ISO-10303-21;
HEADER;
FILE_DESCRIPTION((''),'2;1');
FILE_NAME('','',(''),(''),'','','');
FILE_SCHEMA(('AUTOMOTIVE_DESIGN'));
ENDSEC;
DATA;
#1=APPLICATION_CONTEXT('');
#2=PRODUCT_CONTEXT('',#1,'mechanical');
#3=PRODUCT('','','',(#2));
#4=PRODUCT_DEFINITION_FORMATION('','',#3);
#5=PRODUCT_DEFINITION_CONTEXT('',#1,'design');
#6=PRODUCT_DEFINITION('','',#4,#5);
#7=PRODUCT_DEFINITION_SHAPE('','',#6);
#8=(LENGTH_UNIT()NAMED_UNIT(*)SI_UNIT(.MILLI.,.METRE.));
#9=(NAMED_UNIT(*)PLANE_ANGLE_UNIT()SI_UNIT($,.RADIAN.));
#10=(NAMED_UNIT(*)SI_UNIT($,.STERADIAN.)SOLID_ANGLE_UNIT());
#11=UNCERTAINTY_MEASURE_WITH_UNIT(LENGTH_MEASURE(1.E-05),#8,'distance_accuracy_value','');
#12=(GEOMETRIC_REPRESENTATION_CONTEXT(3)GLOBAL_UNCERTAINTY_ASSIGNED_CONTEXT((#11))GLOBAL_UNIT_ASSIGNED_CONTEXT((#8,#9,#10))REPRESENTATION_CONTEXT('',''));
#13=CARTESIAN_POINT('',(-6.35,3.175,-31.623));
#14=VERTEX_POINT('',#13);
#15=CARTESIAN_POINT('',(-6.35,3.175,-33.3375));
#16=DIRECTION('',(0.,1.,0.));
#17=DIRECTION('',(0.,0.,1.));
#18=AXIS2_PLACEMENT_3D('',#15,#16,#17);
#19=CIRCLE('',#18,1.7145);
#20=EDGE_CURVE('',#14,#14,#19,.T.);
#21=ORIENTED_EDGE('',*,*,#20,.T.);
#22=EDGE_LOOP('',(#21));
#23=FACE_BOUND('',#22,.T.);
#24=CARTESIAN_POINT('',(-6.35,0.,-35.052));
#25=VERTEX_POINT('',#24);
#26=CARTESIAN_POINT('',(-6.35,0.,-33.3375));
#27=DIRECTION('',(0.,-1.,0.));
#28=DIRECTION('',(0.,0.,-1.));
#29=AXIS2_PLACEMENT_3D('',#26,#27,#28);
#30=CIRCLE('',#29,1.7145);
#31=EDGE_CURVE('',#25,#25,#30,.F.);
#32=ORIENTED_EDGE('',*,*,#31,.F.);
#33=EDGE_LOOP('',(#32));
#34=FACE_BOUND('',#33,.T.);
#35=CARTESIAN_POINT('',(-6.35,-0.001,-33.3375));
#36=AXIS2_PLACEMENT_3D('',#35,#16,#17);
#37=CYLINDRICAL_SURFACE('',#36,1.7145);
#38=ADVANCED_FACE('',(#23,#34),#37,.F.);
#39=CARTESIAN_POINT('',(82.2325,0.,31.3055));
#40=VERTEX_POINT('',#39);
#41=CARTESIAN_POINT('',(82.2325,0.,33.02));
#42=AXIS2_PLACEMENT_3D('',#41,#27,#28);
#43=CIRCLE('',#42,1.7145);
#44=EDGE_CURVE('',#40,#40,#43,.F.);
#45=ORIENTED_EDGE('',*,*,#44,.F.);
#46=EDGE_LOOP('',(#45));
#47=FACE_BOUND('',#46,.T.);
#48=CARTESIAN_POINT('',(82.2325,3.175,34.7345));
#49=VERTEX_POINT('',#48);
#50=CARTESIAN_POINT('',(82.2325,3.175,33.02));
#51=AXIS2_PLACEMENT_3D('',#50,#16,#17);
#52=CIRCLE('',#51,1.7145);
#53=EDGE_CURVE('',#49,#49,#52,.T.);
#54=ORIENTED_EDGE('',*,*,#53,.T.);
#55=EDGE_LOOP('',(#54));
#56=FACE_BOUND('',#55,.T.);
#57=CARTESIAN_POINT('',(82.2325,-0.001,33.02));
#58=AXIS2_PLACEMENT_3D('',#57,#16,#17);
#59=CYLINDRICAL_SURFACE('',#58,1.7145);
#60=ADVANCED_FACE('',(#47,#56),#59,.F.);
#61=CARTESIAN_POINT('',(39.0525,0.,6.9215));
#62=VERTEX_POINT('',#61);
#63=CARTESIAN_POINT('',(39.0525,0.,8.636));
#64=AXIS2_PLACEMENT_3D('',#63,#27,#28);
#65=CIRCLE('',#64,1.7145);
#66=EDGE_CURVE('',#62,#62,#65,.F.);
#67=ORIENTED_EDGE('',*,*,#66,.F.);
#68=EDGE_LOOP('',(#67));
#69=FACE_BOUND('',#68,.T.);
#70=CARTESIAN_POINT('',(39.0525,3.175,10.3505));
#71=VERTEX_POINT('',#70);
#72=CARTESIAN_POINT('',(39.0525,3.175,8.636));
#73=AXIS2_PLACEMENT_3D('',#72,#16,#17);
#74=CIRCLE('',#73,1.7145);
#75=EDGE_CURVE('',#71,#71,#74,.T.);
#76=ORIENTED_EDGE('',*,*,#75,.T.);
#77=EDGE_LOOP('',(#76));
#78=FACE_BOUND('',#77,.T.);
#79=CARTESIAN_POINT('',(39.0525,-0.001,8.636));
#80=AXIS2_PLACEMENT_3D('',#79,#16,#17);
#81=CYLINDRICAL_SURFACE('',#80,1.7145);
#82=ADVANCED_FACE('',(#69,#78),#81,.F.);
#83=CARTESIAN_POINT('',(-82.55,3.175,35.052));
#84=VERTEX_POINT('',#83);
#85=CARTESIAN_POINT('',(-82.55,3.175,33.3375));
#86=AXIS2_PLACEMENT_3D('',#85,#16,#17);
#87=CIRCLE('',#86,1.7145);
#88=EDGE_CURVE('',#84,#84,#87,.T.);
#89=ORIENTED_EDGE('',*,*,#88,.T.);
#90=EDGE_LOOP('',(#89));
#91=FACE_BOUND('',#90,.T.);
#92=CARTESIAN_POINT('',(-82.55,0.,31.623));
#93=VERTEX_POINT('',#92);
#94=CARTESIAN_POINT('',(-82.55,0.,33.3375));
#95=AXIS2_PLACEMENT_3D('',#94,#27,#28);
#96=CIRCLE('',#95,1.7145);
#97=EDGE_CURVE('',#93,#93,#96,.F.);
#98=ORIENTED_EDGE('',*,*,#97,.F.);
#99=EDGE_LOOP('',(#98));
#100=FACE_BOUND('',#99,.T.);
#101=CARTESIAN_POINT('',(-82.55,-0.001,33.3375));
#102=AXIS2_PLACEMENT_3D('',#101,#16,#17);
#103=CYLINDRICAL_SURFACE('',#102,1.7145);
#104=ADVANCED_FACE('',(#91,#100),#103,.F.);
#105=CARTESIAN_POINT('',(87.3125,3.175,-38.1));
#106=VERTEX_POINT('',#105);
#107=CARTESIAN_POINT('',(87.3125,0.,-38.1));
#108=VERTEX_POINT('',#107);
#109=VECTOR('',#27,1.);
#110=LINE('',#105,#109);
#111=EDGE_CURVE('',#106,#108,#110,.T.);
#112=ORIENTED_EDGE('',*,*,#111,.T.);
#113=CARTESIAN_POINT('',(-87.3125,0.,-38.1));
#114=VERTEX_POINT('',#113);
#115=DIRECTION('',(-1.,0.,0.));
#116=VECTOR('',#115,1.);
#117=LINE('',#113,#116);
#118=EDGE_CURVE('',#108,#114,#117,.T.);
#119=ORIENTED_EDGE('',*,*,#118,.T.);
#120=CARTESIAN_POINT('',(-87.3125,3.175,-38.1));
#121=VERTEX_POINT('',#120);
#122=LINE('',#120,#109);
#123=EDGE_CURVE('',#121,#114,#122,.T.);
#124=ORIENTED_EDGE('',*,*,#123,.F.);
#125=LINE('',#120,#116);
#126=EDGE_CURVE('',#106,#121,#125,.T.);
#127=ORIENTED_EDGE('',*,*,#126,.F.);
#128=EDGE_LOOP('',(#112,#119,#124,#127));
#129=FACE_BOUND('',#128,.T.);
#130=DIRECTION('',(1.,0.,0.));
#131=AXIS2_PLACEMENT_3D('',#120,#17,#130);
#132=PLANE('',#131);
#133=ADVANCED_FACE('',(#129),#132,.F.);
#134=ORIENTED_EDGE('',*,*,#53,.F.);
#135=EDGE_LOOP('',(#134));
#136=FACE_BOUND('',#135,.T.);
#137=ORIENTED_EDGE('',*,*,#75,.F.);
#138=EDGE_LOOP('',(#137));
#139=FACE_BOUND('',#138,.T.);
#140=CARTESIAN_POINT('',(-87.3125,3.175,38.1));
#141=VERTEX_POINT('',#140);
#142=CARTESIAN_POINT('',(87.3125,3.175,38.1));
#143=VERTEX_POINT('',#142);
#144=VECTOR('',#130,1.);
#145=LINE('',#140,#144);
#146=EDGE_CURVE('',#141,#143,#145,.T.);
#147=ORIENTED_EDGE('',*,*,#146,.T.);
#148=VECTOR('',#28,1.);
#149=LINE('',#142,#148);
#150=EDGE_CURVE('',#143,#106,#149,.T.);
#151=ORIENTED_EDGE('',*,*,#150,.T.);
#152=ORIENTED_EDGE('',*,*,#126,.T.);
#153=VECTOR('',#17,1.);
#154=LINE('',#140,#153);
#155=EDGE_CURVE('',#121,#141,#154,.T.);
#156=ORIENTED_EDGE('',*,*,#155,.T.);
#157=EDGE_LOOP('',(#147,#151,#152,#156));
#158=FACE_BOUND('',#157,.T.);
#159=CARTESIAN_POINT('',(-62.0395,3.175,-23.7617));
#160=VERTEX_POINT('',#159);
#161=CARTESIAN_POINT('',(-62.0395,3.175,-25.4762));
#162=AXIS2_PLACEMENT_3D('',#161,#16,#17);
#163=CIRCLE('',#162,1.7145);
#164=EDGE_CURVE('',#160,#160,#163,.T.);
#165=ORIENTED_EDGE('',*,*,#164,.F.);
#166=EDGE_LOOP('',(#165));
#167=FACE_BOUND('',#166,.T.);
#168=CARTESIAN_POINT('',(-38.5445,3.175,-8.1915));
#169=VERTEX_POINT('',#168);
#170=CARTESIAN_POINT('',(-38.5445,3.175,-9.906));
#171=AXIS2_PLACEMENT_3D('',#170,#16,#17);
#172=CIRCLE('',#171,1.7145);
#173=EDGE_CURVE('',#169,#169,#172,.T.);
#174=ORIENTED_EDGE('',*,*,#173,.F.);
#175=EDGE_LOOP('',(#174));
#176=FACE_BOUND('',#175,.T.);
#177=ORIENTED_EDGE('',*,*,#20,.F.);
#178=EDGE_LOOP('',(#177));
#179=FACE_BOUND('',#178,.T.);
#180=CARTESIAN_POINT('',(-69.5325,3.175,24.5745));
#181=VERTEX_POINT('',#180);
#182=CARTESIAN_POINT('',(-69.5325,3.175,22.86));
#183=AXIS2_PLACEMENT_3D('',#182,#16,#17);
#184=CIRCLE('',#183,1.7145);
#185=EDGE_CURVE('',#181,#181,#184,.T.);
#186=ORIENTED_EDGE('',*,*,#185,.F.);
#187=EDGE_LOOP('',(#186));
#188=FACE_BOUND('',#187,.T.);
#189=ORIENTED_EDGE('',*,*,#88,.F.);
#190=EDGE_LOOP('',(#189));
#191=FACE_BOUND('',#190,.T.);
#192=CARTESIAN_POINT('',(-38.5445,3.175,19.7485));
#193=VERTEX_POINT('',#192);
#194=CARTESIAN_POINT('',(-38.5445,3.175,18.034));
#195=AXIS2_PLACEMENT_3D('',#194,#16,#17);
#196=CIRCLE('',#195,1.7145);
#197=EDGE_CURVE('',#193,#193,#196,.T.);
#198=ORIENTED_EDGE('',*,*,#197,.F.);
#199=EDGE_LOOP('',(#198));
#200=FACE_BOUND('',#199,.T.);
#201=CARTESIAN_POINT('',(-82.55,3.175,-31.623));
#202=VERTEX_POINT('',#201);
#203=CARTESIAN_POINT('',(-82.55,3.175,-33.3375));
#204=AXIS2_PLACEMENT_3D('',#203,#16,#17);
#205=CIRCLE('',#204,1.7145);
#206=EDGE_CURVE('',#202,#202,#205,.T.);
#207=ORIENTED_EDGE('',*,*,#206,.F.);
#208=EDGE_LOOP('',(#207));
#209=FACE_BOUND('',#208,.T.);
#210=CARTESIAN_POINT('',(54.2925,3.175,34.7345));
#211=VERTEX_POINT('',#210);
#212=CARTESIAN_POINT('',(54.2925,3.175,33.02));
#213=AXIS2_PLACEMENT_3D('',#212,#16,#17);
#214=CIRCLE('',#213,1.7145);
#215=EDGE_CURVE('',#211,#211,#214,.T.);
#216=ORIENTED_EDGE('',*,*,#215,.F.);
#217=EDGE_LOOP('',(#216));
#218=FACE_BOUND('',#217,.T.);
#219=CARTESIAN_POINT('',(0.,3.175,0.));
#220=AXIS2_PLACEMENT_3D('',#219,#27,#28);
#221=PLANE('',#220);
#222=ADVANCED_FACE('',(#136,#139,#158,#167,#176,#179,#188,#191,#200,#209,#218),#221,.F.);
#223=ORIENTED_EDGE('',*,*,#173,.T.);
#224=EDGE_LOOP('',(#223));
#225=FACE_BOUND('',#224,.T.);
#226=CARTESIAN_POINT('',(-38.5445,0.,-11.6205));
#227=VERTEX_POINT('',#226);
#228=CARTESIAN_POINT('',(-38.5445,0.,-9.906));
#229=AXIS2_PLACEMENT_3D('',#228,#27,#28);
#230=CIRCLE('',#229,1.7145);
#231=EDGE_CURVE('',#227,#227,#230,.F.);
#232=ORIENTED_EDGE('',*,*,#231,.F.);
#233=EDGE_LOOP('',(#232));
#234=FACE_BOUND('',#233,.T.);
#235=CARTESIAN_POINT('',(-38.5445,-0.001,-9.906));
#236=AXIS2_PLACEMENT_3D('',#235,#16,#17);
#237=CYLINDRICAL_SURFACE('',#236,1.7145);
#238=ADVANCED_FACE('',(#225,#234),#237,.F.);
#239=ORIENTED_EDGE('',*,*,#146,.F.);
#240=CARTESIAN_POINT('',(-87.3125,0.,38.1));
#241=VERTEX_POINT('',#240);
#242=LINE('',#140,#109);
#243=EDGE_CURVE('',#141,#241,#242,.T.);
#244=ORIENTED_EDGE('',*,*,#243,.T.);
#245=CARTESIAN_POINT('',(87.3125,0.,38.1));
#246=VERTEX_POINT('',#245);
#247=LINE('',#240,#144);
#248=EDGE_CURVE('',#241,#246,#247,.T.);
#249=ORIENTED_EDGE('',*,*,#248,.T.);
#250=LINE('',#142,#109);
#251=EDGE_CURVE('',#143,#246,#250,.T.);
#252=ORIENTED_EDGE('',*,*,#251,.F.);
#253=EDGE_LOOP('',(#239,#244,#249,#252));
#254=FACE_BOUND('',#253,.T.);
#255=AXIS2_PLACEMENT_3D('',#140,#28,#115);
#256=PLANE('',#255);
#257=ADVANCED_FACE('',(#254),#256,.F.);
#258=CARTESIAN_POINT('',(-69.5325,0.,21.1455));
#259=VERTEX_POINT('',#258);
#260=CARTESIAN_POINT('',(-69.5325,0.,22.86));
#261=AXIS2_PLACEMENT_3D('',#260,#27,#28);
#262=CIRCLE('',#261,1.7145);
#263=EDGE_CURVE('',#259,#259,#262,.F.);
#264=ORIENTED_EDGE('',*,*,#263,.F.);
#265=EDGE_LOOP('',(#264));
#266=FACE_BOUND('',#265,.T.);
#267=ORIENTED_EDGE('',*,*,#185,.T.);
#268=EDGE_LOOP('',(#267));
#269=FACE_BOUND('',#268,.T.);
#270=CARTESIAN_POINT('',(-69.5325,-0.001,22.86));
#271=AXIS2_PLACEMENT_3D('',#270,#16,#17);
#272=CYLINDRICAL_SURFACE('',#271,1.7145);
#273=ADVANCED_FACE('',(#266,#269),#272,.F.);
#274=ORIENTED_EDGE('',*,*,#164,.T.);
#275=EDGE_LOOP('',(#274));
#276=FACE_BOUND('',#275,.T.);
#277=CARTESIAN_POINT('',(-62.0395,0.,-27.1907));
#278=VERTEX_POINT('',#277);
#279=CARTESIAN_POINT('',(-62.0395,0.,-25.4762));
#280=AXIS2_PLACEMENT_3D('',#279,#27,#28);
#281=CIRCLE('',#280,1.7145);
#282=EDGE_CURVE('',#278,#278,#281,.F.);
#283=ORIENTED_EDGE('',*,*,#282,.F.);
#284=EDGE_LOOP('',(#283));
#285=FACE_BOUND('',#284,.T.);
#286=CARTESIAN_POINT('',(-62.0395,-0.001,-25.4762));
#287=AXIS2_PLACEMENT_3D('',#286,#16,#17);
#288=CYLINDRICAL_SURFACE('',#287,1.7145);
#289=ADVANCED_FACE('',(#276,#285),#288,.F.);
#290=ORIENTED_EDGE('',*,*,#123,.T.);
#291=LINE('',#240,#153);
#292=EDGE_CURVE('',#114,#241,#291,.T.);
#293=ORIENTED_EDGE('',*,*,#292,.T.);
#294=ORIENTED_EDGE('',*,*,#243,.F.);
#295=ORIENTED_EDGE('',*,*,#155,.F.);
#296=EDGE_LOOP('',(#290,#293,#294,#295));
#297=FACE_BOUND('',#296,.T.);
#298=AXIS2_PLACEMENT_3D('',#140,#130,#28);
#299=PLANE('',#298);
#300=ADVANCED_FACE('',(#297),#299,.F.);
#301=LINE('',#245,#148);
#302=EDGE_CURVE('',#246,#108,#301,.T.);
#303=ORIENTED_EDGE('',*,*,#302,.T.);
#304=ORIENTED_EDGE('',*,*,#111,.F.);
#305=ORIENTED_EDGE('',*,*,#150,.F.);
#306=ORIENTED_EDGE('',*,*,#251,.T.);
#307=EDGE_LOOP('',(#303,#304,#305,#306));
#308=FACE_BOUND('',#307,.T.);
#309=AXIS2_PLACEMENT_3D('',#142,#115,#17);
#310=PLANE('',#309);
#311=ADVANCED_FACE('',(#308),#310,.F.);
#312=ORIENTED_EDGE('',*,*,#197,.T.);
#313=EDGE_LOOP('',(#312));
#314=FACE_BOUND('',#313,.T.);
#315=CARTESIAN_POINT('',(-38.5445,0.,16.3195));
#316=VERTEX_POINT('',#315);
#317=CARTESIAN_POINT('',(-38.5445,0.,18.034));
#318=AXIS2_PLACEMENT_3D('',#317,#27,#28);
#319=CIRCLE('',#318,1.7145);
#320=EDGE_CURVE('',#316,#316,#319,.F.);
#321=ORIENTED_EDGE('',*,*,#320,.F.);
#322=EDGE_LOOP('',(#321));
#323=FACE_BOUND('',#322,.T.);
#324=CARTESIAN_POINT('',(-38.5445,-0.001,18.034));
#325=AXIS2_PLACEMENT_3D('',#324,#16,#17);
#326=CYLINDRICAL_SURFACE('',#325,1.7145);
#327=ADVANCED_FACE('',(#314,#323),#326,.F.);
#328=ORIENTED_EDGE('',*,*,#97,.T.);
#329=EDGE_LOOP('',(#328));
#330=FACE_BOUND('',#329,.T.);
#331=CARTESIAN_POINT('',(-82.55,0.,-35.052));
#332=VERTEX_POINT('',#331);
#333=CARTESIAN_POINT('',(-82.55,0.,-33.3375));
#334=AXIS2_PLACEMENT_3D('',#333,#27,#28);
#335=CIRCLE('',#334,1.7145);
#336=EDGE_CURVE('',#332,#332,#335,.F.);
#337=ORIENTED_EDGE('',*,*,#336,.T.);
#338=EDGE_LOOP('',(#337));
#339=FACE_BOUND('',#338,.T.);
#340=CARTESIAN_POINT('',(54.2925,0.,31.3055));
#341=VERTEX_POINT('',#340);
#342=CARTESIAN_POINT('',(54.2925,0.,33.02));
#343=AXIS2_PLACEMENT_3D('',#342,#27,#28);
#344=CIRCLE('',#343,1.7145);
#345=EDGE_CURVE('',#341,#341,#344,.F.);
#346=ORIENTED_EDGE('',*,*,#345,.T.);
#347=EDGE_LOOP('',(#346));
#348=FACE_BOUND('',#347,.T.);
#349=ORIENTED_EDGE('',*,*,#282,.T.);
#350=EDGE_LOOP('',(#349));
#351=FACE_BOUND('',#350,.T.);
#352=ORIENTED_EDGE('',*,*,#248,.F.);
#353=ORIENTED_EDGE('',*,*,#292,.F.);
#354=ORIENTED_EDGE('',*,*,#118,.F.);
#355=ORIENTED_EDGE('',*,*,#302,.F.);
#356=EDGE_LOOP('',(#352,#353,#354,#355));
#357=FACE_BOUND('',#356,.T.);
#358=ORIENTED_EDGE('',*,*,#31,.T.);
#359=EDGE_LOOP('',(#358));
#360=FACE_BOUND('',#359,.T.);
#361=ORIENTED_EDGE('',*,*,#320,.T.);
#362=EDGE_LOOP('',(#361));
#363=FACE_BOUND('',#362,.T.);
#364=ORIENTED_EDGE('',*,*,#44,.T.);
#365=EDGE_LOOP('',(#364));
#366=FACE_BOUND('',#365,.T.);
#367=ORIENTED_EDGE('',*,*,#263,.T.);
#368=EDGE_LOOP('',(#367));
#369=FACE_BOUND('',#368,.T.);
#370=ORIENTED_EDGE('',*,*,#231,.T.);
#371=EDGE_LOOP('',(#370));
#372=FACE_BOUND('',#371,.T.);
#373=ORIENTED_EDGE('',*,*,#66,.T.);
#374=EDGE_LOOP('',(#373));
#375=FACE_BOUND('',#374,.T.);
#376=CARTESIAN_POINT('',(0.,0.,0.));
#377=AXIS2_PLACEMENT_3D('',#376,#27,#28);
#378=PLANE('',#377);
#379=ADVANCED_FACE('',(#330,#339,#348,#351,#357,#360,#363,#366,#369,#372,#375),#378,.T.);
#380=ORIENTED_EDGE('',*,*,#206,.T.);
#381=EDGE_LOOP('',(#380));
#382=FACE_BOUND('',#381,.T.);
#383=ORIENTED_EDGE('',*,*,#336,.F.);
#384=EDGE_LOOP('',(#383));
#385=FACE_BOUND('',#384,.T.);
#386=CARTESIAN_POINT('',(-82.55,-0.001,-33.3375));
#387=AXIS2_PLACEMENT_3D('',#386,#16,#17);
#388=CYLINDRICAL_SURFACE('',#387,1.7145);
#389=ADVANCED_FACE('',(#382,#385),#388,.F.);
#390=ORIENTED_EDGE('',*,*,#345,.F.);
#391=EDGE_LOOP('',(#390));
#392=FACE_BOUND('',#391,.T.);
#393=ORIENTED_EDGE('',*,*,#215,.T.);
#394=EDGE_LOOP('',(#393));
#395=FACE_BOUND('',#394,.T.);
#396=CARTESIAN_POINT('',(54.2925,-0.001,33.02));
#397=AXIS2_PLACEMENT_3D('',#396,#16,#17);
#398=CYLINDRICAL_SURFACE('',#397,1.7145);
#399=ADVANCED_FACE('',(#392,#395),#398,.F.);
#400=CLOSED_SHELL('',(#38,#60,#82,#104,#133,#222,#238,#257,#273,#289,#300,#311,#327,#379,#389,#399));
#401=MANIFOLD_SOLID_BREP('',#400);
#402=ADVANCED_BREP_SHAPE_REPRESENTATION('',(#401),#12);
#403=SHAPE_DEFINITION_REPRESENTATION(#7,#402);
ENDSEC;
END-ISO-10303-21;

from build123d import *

# Parameters (mm, degrees)
BASE_SKETCH_W                              = 174.625
BASE_SKETCH_H                              = 76.2
BASE_PLATE_DEPTH                           = 3.175
F_4_40_GUIDE_RAIL_HOLES_REACH              = 97.316
F_4_40_HOLE_PATTERN_SKETCH_GUIDE_RAIL_R    = 1.7145
F_4_40_ARDUINO_HOLES_REACH                 = 97.316
F_4_40_HOLE_PATTERN_SKETCH_ARDUINO_HOLES_R = 1.7145
F_4_40_IMU_MOUNT_HOLES_REACH               = 97.316
F_4_40_HOLE_PATTERN_SKETCH_IMU_MOUNT_R     = 1.7145


with BuildPart() as part:
    # Base Sketch → Base Plate (new body)
    with BuildSketch(Plane(origin=(0, 0, 0), x_dir=(1, 0, 0), z_dir=(0, 1, 0))):
        Rectangle(BASE_SKETCH_W, BASE_SKETCH_H)
    extrude(amount=BASE_PLATE_DEPTH)

    # 4-40 Hole Pattern Sketch (Guide Rail) → 4-40 Guide Rail Holes (cut, up to next)
    with BuildSketch(Plane(origin=(0, 3.175, 0), x_dir=(1, 0, 0), z_dir=(0, 1, 0)), mode=Mode.PRIVATE) as f_4_40_guide_rail_holes_sk1:
        with Locations(Location((-82.55, 33.3375, 0), (0, 0, 270))):
            Circle(F_4_40_HOLE_PATTERN_SKETCH_GUIDE_RAIL_R)
    f_4_40_guide_rail_holes_tool1 = extrude(f_4_40_guide_rail_holes_sk1.sketch, amount=-F_4_40_GUIDE_RAIL_HOLES_REACH, mode=Mode.PRIVATE) & part.part
    # 4-40 Hole Pattern Sketch (Guide Rail) → 4-40 Guide Rail Holes (cut, up to next)
    with BuildSketch(Plane(origin=(0, 3.175, 0), x_dir=(1, 0, 0), z_dir=(0, 1, 0)), mode=Mode.PRIVATE) as f_4_40_guide_rail_holes_sk2:
        with Locations(Location((-82.55, -33.3375, 0), (0, 0, 270))):
            Circle(F_4_40_HOLE_PATTERN_SKETCH_GUIDE_RAIL_R)
    f_4_40_guide_rail_holes_tool2 = extrude(f_4_40_guide_rail_holes_sk2.sketch, amount=-F_4_40_GUIDE_RAIL_HOLES_REACH, mode=Mode.PRIVATE) & part.part
    # 4-40 Hole Pattern Sketch (Guide Rail) → 4-40 Guide Rail Holes (cut, up to next)
    with BuildSketch(Plane(origin=(0, 3.175, 0), x_dir=(1, 0, 0), z_dir=(0, 1, 0)), mode=Mode.PRIVATE) as f_4_40_guide_rail_holes_sk3:
        with Locations(Location((-6.35, 33.3375, 0), (0, 0, 270))):
            Circle(F_4_40_HOLE_PATTERN_SKETCH_GUIDE_RAIL_R)
    f_4_40_guide_rail_holes_tool3 = extrude(f_4_40_guide_rail_holes_sk3.sketch, amount=-F_4_40_GUIDE_RAIL_HOLES_REACH, mode=Mode.PRIVATE) & part.part
    add(f_4_40_guide_rail_holes_tool1.solids().sort_by_distance((-82.55, 3.175, -33.3375))[0], mode=Mode.SUBTRACT)
    add(f_4_40_guide_rail_holes_tool2.solids().sort_by_distance((-82.55, 3.175, 33.3375))[0], mode=Mode.SUBTRACT)
    add(f_4_40_guide_rail_holes_tool3.solids().sort_by_distance((-6.35, 3.175, -33.3375))[0], mode=Mode.SUBTRACT)

    # 4-40 Hole Pattern Sketch (Arduino Holes) → 4-40 Arduino Holes (cut, up to next)
    with BuildSketch(Plane(origin=(0, 3.175, 0), x_dir=(1, 0, 0), z_dir=(0, 1, 0)), mode=Mode.PRIVATE) as f_4_40_arduino_holes_sk1:
        with Locations(Location((-38.5445, -18.034, 0), (0, 0, 270))):
            Circle(F_4_40_HOLE_PATTERN_SKETCH_ARDUINO_HOLES_R)
    f_4_40_arduino_holes_tool1 = extrude(f_4_40_arduino_holes_sk1.sketch, amount=-F_4_40_ARDUINO_HOLES_REACH, mode=Mode.PRIVATE) & part.part
    # 4-40 Hole Pattern Sketch (Arduino Holes) → 4-40 Arduino Holes (cut, up to next)
    with BuildSketch(Plane(origin=(0, 3.175, 0), x_dir=(1, 0, 0), z_dir=(0, 1, 0)), mode=Mode.PRIVATE) as f_4_40_arduino_holes_sk2:
        with Locations(Location((-38.5445, 9.906, 0), (0, 0, 270))):
            Circle(F_4_40_HOLE_PATTERN_SKETCH_ARDUINO_HOLES_R)
    f_4_40_arduino_holes_tool2 = extrude(f_4_40_arduino_holes_sk2.sketch, amount=-F_4_40_ARDUINO_HOLES_REACH, mode=Mode.PRIVATE) & part.part
    # 4-40 Hole Pattern Sketch (Arduino Holes) → 4-40 Arduino Holes (cut, up to next)
    with BuildSketch(Plane(origin=(0, 3.175, 0), x_dir=(1, 0, 0), z_dir=(0, 1, 0)), mode=Mode.PRIVATE) as f_4_40_arduino_holes_sk3:
        with Locations(Location((-69.5325, -22.86, 0), (0, 0, 270))):
            Circle(F_4_40_HOLE_PATTERN_SKETCH_ARDUINO_HOLES_R)
    f_4_40_arduino_holes_tool3 = extrude(f_4_40_arduino_holes_sk3.sketch, amount=-F_4_40_ARDUINO_HOLES_REACH, mode=Mode.PRIVATE) & part.part
    # 4-40 Hole Pattern Sketch (Arduino Holes) → 4-40 Arduino Holes (cut, up to next)
    with BuildSketch(Plane(origin=(0, 3.175, 0), x_dir=(1, 0, 0), z_dir=(0, 1, 0)), mode=Mode.PRIVATE) as f_4_40_arduino_holes_sk4:
        with Locations(Location((-62.0395, 25.4762, 0), (0, 0, 270))):
            Circle(F_4_40_HOLE_PATTERN_SKETCH_ARDUINO_HOLES_R)
    f_4_40_arduino_holes_tool4 = extrude(f_4_40_arduino_holes_sk4.sketch, amount=-F_4_40_ARDUINO_HOLES_REACH, mode=Mode.PRIVATE) & part.part
    add(f_4_40_arduino_holes_tool1.solids().sort_by_distance((-38.5445, 3.175, 18.034))[0], mode=Mode.SUBTRACT)
    add(f_4_40_arduino_holes_tool2.solids().sort_by_distance((-38.5445, 3.175, -9.906))[0], mode=Mode.SUBTRACT)
    add(f_4_40_arduino_holes_tool3.solids().sort_by_distance((-69.5325, 3.175, 22.86))[0], mode=Mode.SUBTRACT)
    add(f_4_40_arduino_holes_tool4.solids().sort_by_distance((-62.0395, 3.175, -25.4762))[0], mode=Mode.SUBTRACT)

    # 4-40 Hole Pattern Sketch (IMU Mount) → 4-40 IMU Mount Holes (cut, up to next)
    with BuildSketch(Plane(origin=(0, 3.175, 0), x_dir=(1, 0, 0), z_dir=(0, 1, 0)), mode=Mode.PRIVATE) as f_4_40_imu_mount_holes_sk1:
        with Locations(Location((82.2325, -33.02, 0), (0, 0, 270))):
            Circle(F_4_40_HOLE_PATTERN_SKETCH_IMU_MOUNT_R)
    f_4_40_imu_mount_holes_tool1 = extrude(f_4_40_imu_mount_holes_sk1.sketch, amount=-F_4_40_IMU_MOUNT_HOLES_REACH, mode=Mode.PRIVATE) & part.part
    # 4-40 Hole Pattern Sketch (IMU Mount) → 4-40 IMU Mount Holes (cut, up to next)
    with BuildSketch(Plane(origin=(0, 3.175, 0), x_dir=(1, 0, 0), z_dir=(0, 1, 0)), mode=Mode.PRIVATE) as f_4_40_imu_mount_holes_sk2:
        with Locations(Location((54.2925, -33.02, 0), (0, 0, 270))):
            Circle(F_4_40_HOLE_PATTERN_SKETCH_IMU_MOUNT_R)
    f_4_40_imu_mount_holes_tool2 = extrude(f_4_40_imu_mount_holes_sk2.sketch, amount=-F_4_40_IMU_MOUNT_HOLES_REACH, mode=Mode.PRIVATE) & part.part
    # 4-40 Hole Pattern Sketch (IMU Mount) → 4-40 IMU Mount Holes (cut, up to next)
    with BuildSketch(Plane(origin=(0, 3.175, 0), x_dir=(1, 0, 0), z_dir=(0, 1, 0)), mode=Mode.PRIVATE) as f_4_40_imu_mount_holes_sk3:
        with Locations(Location((39.0525, -8.636, 0), (0, 0, 270))):
            Circle(F_4_40_HOLE_PATTERN_SKETCH_IMU_MOUNT_R)
    f_4_40_imu_mount_holes_tool3 = extrude(f_4_40_imu_mount_holes_sk3.sketch, amount=-F_4_40_IMU_MOUNT_HOLES_REACH, mode=Mode.PRIVATE) & part.part
    add(f_4_40_imu_mount_holes_tool1.solids().sort_by_distance((82.2325, 3.175, 33.02))[0], mode=Mode.SUBTRACT)
    add(f_4_40_imu_mount_holes_tool2.solids().sort_by_distance((54.2925, 3.175, 33.02))[0], mode=Mode.SUBTRACT)
    add(f_4_40_imu_mount_holes_tool3.solids().sort_by_distance((39.0525, 3.175, 8.636))[0], mode=Mode.SUBTRACT)


solid = part.part
